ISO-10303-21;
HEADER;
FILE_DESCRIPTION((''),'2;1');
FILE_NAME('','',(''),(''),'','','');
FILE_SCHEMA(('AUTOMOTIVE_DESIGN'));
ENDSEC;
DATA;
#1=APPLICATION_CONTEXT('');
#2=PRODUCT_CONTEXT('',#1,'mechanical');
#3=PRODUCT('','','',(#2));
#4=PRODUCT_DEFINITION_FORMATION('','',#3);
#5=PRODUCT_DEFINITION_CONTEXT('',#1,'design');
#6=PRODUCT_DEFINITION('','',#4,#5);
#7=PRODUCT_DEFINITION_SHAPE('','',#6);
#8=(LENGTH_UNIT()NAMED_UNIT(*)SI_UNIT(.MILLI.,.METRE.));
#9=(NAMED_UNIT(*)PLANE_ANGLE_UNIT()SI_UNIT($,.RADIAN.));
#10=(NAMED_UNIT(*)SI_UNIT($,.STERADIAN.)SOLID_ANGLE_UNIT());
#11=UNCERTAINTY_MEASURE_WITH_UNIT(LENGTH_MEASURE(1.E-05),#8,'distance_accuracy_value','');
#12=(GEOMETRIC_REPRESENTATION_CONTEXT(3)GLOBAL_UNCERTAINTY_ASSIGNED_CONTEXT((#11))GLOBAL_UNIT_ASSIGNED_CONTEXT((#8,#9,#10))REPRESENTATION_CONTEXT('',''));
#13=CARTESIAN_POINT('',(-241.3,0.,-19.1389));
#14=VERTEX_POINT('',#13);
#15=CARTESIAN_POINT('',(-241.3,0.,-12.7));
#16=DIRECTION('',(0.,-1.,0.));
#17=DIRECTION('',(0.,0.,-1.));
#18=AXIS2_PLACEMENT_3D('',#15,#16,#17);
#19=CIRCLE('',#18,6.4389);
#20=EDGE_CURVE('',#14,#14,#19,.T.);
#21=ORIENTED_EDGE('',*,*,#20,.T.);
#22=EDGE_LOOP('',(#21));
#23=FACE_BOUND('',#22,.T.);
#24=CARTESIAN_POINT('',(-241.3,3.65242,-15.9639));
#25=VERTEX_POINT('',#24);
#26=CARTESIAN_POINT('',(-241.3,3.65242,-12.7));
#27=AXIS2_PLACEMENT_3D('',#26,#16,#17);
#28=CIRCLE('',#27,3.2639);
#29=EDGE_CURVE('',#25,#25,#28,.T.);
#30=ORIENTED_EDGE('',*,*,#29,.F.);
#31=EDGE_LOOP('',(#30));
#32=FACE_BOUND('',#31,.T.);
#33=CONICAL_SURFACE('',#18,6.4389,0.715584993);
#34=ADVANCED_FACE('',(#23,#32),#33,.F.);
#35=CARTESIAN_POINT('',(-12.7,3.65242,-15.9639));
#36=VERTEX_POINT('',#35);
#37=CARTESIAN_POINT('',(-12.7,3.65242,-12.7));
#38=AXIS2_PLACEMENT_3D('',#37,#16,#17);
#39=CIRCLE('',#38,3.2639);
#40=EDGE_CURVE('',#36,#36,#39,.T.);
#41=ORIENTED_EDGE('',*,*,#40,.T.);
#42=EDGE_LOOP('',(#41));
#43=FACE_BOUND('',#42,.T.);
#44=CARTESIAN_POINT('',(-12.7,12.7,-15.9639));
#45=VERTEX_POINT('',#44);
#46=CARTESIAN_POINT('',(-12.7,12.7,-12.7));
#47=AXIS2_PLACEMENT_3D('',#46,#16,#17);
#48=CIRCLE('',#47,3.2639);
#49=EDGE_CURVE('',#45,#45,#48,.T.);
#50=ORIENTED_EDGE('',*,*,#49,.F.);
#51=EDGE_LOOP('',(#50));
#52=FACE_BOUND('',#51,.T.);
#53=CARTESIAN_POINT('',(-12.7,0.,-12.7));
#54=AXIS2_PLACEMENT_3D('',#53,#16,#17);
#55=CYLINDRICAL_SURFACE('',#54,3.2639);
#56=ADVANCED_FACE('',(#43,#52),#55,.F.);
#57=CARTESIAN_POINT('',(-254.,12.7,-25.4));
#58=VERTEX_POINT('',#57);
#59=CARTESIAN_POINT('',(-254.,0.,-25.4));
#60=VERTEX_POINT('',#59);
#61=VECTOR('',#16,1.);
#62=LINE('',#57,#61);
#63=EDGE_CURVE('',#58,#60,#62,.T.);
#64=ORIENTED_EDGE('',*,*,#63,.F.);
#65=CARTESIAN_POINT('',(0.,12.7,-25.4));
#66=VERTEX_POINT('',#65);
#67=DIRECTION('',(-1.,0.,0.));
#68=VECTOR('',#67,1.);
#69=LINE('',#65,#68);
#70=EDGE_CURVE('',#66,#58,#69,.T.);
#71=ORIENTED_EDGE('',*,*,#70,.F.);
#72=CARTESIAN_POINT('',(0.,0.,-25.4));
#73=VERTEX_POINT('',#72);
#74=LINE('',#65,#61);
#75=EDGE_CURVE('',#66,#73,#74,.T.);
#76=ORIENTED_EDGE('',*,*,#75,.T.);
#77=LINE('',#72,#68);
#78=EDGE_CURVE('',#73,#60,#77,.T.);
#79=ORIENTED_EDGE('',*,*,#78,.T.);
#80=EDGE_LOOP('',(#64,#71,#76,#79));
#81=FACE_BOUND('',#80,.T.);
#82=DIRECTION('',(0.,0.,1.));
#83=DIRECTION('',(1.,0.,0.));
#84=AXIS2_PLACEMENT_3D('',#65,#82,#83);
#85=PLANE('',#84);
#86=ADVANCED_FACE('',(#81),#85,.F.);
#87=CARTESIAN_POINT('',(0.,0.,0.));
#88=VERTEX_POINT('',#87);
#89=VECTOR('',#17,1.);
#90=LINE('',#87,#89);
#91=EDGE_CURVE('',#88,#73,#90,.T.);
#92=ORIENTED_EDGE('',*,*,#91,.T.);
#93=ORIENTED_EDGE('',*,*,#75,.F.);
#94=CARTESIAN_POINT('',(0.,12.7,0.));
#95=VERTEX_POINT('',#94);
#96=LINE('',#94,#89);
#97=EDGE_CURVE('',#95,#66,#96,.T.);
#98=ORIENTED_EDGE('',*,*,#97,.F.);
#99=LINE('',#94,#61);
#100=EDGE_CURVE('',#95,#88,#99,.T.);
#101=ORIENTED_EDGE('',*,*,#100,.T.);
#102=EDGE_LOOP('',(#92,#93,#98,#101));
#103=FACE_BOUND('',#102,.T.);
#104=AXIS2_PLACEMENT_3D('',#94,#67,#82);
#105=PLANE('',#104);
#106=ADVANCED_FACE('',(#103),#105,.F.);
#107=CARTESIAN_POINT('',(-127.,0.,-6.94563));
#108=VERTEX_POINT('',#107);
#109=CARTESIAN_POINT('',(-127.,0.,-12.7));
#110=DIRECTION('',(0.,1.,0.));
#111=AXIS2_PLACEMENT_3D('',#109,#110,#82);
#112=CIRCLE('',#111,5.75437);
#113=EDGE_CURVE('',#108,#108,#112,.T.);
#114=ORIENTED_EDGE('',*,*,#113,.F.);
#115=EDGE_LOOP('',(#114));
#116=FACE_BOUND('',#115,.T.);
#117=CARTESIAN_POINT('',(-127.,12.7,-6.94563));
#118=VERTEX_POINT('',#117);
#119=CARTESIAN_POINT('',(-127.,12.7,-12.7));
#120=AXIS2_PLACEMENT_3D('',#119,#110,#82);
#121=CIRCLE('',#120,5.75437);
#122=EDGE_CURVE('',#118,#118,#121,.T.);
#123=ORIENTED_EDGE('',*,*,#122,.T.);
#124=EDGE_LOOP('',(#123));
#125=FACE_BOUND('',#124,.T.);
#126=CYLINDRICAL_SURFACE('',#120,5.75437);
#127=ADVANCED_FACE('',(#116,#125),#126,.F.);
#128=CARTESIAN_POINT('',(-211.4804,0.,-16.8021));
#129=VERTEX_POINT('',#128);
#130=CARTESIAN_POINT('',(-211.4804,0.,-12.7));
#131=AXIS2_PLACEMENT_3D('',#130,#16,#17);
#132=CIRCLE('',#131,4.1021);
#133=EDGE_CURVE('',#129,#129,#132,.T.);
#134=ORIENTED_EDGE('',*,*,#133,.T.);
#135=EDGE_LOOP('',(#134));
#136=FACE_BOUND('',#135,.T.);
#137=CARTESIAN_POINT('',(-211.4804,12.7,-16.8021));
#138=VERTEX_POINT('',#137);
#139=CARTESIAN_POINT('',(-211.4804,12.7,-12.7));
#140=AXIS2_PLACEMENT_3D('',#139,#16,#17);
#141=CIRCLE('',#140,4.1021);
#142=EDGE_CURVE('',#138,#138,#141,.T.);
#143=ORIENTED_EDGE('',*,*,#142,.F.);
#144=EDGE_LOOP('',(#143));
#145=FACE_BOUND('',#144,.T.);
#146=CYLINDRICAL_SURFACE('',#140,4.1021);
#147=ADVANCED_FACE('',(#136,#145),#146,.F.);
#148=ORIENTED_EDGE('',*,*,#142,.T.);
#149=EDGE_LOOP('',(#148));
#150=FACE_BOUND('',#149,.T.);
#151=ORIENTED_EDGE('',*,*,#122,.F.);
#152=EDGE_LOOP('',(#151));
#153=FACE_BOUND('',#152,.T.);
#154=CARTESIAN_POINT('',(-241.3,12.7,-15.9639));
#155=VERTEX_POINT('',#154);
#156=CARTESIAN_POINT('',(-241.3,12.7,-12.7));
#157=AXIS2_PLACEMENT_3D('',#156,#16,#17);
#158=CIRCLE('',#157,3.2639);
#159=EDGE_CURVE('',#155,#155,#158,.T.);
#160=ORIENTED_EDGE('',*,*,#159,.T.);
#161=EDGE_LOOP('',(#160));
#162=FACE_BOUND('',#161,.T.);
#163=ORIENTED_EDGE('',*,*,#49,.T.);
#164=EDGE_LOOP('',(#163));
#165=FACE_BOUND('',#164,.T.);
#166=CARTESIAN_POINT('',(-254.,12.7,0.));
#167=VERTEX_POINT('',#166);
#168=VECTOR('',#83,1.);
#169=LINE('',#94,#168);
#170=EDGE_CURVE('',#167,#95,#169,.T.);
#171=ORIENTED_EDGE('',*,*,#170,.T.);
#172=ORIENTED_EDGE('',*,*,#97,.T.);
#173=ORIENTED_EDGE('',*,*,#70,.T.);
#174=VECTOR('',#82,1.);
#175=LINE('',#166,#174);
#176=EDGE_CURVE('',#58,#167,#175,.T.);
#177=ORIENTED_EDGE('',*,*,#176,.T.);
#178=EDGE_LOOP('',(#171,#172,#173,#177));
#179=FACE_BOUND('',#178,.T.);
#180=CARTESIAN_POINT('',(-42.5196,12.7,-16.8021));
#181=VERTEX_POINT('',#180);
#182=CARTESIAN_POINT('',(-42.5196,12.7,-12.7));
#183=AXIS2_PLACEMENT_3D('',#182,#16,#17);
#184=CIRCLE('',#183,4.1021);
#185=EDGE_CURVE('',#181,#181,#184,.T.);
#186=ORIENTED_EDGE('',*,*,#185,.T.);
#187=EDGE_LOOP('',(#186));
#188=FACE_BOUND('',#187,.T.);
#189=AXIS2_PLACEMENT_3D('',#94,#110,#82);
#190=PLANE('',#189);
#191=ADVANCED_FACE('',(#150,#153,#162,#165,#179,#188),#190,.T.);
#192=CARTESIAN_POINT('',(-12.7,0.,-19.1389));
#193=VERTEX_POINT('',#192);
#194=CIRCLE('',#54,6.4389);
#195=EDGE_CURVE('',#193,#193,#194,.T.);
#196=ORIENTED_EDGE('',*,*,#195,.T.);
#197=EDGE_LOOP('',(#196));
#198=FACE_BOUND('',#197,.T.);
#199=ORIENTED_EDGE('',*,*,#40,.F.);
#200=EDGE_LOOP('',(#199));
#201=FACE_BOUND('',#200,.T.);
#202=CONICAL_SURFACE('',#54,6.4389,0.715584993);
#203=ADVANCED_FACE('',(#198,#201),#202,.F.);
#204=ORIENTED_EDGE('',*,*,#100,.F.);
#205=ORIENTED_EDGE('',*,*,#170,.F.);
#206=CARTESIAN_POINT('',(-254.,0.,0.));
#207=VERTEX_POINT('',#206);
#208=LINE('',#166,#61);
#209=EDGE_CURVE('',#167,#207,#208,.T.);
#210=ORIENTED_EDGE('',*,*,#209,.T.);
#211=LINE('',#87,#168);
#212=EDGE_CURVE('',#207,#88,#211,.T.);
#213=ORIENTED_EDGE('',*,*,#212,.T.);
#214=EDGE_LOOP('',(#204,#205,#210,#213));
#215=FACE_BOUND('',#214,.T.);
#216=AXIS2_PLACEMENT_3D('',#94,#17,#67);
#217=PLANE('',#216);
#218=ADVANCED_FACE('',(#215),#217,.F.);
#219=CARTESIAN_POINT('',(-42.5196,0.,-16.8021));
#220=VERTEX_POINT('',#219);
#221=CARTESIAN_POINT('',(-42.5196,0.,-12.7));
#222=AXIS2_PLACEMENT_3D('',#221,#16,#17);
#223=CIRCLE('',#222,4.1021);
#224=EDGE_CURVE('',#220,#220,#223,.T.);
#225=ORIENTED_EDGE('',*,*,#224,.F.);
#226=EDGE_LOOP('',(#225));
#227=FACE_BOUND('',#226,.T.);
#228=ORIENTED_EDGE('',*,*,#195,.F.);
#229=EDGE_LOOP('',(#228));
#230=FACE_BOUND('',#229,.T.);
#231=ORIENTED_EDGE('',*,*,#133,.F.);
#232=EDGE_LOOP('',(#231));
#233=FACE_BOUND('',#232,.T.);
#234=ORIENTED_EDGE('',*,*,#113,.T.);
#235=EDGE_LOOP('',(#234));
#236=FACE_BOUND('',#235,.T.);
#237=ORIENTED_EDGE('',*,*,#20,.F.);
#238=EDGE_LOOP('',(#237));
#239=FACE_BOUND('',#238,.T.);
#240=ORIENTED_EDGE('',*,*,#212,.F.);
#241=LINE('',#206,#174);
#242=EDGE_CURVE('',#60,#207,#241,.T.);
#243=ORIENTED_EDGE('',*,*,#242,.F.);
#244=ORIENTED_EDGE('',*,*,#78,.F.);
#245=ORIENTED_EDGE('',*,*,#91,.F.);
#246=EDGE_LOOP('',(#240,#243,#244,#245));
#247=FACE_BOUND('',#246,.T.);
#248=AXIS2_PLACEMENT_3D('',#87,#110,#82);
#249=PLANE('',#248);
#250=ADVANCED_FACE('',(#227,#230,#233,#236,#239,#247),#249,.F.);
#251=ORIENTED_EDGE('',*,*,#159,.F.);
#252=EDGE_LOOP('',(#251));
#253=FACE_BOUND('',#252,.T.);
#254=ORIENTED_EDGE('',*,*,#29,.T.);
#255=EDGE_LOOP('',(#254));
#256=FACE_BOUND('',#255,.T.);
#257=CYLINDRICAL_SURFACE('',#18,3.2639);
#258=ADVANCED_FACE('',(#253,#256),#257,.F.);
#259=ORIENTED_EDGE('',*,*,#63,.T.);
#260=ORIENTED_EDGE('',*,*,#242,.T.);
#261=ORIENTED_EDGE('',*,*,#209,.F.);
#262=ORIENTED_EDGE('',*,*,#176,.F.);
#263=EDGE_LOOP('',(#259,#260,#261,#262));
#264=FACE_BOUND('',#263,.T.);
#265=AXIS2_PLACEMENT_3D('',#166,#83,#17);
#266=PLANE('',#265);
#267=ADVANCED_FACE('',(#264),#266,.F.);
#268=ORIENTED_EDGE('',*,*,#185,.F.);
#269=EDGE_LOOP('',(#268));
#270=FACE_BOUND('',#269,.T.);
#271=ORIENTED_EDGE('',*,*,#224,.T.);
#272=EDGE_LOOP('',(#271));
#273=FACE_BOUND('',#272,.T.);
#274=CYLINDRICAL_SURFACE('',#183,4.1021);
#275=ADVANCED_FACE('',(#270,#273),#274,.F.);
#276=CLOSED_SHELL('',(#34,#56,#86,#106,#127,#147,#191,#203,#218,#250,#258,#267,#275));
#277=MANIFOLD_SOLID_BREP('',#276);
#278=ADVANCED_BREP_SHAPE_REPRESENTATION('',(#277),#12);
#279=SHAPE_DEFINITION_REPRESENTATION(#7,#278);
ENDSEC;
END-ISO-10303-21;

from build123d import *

# Parameters (mm, degrees)
SKETCH1_W                                        = 254
SKETCH1_H                                        = 25.4
BOSS_EXTRUDE1_DEPTH                              = 12.7
SKETCH2_R                                        = 5.08
F_1_2_20_THREAD_THRU_DEPTH                       = 256.582569828
SKETCH4_R                                        = 4.1021
CUT_EXTRUDE4_DEPTH                               = 256.582569828
CSK_FOR_1_4_FLAT_HEAD_MACHINE_SCREW1_D           = 6.5278
CSK_FOR_1_4_FLAT_HEAD_MACHINE_SCREW1_CSINK_D     = 12.8778
CSK_FOR_1_4_FLAT_HEAD_MACHINE_SCREW1_CSINK_ANGLE = 82
F_1_2_20_TAPPED_HOLE3_D                          = 11.50874


with BuildPart() as part:
    # Sketch1 → Boss-Extrude1 (new body)
    with BuildSketch(Plane(origin=(0, 0, 0), x_dir=(1, 0, 0), z_dir=(0, 1, 0))):
        with Locations((-127, 12.7)):
            Rectangle(SKETCH1_W, SKETCH1_H)
    extrude(amount=BOSS_EXTRUDE1_DEPTH)

    # Sketch2 → 1/2-20 thread thru (cut, through all)
    with BuildSketch(Plane(origin=(0, 12.7, 0), x_dir=(1, 0, 0), z_dir=(0, 1, 0))):
        with Locations((-127, 12.7)):
            Circle(SKETCH2_R)
    extrude(amount=-F_1_2_20_THREAD_THRU_DEPTH, mode=Mode.SUBTRACT)

    # Sketch4 → Cut-Extrude4 (cut, through all)
    with BuildSketch(Plane.XZ):
        with Locations(Location((-211.4804, -12.7, 0), (0, 0, 270))):
            Circle(SKETCH4_R)
        with Locations(Location((-42.5196, -12.7, 0), (0, 0, 270))):
            Circle(SKETCH4_R)
    extrude(amount=-CUT_EXTRUDE4_DEPTH, mode=Mode.SUBTRACT)

    # CSK for 1/4 Flat Head Machine Screw1 (through all)
    with Locations(Plane(origin=(0, 0, 0), x_dir=(-1, 0, 0), z_dir=(0, -1, 0))):
        with Locations((241.3, 12.7), (12.7, 12.7)):
            CounterSinkHole(CSK_FOR_1_4_FLAT_HEAD_MACHINE_SCREW1_D / 2, CSK_FOR_1_4_FLAT_HEAD_MACHINE_SCREW1_CSINK_D / 2, counter_sink_angle=CSK_FOR_1_4_FLAT_HEAD_MACHINE_SCREW1_CSINK_ANGLE)

    # 1/2-20 Tapped Hole3 (through all)
    with Locations(Plane(origin=(0, 12.7, 0), x_dir=(1, 0, 0), z_dir=(0, 1, 0))):
        with Locations((-127, 12.7)):
            Hole(F_1_2_20_TAPPED_HOLE3_D / 2)


solid = part.part
